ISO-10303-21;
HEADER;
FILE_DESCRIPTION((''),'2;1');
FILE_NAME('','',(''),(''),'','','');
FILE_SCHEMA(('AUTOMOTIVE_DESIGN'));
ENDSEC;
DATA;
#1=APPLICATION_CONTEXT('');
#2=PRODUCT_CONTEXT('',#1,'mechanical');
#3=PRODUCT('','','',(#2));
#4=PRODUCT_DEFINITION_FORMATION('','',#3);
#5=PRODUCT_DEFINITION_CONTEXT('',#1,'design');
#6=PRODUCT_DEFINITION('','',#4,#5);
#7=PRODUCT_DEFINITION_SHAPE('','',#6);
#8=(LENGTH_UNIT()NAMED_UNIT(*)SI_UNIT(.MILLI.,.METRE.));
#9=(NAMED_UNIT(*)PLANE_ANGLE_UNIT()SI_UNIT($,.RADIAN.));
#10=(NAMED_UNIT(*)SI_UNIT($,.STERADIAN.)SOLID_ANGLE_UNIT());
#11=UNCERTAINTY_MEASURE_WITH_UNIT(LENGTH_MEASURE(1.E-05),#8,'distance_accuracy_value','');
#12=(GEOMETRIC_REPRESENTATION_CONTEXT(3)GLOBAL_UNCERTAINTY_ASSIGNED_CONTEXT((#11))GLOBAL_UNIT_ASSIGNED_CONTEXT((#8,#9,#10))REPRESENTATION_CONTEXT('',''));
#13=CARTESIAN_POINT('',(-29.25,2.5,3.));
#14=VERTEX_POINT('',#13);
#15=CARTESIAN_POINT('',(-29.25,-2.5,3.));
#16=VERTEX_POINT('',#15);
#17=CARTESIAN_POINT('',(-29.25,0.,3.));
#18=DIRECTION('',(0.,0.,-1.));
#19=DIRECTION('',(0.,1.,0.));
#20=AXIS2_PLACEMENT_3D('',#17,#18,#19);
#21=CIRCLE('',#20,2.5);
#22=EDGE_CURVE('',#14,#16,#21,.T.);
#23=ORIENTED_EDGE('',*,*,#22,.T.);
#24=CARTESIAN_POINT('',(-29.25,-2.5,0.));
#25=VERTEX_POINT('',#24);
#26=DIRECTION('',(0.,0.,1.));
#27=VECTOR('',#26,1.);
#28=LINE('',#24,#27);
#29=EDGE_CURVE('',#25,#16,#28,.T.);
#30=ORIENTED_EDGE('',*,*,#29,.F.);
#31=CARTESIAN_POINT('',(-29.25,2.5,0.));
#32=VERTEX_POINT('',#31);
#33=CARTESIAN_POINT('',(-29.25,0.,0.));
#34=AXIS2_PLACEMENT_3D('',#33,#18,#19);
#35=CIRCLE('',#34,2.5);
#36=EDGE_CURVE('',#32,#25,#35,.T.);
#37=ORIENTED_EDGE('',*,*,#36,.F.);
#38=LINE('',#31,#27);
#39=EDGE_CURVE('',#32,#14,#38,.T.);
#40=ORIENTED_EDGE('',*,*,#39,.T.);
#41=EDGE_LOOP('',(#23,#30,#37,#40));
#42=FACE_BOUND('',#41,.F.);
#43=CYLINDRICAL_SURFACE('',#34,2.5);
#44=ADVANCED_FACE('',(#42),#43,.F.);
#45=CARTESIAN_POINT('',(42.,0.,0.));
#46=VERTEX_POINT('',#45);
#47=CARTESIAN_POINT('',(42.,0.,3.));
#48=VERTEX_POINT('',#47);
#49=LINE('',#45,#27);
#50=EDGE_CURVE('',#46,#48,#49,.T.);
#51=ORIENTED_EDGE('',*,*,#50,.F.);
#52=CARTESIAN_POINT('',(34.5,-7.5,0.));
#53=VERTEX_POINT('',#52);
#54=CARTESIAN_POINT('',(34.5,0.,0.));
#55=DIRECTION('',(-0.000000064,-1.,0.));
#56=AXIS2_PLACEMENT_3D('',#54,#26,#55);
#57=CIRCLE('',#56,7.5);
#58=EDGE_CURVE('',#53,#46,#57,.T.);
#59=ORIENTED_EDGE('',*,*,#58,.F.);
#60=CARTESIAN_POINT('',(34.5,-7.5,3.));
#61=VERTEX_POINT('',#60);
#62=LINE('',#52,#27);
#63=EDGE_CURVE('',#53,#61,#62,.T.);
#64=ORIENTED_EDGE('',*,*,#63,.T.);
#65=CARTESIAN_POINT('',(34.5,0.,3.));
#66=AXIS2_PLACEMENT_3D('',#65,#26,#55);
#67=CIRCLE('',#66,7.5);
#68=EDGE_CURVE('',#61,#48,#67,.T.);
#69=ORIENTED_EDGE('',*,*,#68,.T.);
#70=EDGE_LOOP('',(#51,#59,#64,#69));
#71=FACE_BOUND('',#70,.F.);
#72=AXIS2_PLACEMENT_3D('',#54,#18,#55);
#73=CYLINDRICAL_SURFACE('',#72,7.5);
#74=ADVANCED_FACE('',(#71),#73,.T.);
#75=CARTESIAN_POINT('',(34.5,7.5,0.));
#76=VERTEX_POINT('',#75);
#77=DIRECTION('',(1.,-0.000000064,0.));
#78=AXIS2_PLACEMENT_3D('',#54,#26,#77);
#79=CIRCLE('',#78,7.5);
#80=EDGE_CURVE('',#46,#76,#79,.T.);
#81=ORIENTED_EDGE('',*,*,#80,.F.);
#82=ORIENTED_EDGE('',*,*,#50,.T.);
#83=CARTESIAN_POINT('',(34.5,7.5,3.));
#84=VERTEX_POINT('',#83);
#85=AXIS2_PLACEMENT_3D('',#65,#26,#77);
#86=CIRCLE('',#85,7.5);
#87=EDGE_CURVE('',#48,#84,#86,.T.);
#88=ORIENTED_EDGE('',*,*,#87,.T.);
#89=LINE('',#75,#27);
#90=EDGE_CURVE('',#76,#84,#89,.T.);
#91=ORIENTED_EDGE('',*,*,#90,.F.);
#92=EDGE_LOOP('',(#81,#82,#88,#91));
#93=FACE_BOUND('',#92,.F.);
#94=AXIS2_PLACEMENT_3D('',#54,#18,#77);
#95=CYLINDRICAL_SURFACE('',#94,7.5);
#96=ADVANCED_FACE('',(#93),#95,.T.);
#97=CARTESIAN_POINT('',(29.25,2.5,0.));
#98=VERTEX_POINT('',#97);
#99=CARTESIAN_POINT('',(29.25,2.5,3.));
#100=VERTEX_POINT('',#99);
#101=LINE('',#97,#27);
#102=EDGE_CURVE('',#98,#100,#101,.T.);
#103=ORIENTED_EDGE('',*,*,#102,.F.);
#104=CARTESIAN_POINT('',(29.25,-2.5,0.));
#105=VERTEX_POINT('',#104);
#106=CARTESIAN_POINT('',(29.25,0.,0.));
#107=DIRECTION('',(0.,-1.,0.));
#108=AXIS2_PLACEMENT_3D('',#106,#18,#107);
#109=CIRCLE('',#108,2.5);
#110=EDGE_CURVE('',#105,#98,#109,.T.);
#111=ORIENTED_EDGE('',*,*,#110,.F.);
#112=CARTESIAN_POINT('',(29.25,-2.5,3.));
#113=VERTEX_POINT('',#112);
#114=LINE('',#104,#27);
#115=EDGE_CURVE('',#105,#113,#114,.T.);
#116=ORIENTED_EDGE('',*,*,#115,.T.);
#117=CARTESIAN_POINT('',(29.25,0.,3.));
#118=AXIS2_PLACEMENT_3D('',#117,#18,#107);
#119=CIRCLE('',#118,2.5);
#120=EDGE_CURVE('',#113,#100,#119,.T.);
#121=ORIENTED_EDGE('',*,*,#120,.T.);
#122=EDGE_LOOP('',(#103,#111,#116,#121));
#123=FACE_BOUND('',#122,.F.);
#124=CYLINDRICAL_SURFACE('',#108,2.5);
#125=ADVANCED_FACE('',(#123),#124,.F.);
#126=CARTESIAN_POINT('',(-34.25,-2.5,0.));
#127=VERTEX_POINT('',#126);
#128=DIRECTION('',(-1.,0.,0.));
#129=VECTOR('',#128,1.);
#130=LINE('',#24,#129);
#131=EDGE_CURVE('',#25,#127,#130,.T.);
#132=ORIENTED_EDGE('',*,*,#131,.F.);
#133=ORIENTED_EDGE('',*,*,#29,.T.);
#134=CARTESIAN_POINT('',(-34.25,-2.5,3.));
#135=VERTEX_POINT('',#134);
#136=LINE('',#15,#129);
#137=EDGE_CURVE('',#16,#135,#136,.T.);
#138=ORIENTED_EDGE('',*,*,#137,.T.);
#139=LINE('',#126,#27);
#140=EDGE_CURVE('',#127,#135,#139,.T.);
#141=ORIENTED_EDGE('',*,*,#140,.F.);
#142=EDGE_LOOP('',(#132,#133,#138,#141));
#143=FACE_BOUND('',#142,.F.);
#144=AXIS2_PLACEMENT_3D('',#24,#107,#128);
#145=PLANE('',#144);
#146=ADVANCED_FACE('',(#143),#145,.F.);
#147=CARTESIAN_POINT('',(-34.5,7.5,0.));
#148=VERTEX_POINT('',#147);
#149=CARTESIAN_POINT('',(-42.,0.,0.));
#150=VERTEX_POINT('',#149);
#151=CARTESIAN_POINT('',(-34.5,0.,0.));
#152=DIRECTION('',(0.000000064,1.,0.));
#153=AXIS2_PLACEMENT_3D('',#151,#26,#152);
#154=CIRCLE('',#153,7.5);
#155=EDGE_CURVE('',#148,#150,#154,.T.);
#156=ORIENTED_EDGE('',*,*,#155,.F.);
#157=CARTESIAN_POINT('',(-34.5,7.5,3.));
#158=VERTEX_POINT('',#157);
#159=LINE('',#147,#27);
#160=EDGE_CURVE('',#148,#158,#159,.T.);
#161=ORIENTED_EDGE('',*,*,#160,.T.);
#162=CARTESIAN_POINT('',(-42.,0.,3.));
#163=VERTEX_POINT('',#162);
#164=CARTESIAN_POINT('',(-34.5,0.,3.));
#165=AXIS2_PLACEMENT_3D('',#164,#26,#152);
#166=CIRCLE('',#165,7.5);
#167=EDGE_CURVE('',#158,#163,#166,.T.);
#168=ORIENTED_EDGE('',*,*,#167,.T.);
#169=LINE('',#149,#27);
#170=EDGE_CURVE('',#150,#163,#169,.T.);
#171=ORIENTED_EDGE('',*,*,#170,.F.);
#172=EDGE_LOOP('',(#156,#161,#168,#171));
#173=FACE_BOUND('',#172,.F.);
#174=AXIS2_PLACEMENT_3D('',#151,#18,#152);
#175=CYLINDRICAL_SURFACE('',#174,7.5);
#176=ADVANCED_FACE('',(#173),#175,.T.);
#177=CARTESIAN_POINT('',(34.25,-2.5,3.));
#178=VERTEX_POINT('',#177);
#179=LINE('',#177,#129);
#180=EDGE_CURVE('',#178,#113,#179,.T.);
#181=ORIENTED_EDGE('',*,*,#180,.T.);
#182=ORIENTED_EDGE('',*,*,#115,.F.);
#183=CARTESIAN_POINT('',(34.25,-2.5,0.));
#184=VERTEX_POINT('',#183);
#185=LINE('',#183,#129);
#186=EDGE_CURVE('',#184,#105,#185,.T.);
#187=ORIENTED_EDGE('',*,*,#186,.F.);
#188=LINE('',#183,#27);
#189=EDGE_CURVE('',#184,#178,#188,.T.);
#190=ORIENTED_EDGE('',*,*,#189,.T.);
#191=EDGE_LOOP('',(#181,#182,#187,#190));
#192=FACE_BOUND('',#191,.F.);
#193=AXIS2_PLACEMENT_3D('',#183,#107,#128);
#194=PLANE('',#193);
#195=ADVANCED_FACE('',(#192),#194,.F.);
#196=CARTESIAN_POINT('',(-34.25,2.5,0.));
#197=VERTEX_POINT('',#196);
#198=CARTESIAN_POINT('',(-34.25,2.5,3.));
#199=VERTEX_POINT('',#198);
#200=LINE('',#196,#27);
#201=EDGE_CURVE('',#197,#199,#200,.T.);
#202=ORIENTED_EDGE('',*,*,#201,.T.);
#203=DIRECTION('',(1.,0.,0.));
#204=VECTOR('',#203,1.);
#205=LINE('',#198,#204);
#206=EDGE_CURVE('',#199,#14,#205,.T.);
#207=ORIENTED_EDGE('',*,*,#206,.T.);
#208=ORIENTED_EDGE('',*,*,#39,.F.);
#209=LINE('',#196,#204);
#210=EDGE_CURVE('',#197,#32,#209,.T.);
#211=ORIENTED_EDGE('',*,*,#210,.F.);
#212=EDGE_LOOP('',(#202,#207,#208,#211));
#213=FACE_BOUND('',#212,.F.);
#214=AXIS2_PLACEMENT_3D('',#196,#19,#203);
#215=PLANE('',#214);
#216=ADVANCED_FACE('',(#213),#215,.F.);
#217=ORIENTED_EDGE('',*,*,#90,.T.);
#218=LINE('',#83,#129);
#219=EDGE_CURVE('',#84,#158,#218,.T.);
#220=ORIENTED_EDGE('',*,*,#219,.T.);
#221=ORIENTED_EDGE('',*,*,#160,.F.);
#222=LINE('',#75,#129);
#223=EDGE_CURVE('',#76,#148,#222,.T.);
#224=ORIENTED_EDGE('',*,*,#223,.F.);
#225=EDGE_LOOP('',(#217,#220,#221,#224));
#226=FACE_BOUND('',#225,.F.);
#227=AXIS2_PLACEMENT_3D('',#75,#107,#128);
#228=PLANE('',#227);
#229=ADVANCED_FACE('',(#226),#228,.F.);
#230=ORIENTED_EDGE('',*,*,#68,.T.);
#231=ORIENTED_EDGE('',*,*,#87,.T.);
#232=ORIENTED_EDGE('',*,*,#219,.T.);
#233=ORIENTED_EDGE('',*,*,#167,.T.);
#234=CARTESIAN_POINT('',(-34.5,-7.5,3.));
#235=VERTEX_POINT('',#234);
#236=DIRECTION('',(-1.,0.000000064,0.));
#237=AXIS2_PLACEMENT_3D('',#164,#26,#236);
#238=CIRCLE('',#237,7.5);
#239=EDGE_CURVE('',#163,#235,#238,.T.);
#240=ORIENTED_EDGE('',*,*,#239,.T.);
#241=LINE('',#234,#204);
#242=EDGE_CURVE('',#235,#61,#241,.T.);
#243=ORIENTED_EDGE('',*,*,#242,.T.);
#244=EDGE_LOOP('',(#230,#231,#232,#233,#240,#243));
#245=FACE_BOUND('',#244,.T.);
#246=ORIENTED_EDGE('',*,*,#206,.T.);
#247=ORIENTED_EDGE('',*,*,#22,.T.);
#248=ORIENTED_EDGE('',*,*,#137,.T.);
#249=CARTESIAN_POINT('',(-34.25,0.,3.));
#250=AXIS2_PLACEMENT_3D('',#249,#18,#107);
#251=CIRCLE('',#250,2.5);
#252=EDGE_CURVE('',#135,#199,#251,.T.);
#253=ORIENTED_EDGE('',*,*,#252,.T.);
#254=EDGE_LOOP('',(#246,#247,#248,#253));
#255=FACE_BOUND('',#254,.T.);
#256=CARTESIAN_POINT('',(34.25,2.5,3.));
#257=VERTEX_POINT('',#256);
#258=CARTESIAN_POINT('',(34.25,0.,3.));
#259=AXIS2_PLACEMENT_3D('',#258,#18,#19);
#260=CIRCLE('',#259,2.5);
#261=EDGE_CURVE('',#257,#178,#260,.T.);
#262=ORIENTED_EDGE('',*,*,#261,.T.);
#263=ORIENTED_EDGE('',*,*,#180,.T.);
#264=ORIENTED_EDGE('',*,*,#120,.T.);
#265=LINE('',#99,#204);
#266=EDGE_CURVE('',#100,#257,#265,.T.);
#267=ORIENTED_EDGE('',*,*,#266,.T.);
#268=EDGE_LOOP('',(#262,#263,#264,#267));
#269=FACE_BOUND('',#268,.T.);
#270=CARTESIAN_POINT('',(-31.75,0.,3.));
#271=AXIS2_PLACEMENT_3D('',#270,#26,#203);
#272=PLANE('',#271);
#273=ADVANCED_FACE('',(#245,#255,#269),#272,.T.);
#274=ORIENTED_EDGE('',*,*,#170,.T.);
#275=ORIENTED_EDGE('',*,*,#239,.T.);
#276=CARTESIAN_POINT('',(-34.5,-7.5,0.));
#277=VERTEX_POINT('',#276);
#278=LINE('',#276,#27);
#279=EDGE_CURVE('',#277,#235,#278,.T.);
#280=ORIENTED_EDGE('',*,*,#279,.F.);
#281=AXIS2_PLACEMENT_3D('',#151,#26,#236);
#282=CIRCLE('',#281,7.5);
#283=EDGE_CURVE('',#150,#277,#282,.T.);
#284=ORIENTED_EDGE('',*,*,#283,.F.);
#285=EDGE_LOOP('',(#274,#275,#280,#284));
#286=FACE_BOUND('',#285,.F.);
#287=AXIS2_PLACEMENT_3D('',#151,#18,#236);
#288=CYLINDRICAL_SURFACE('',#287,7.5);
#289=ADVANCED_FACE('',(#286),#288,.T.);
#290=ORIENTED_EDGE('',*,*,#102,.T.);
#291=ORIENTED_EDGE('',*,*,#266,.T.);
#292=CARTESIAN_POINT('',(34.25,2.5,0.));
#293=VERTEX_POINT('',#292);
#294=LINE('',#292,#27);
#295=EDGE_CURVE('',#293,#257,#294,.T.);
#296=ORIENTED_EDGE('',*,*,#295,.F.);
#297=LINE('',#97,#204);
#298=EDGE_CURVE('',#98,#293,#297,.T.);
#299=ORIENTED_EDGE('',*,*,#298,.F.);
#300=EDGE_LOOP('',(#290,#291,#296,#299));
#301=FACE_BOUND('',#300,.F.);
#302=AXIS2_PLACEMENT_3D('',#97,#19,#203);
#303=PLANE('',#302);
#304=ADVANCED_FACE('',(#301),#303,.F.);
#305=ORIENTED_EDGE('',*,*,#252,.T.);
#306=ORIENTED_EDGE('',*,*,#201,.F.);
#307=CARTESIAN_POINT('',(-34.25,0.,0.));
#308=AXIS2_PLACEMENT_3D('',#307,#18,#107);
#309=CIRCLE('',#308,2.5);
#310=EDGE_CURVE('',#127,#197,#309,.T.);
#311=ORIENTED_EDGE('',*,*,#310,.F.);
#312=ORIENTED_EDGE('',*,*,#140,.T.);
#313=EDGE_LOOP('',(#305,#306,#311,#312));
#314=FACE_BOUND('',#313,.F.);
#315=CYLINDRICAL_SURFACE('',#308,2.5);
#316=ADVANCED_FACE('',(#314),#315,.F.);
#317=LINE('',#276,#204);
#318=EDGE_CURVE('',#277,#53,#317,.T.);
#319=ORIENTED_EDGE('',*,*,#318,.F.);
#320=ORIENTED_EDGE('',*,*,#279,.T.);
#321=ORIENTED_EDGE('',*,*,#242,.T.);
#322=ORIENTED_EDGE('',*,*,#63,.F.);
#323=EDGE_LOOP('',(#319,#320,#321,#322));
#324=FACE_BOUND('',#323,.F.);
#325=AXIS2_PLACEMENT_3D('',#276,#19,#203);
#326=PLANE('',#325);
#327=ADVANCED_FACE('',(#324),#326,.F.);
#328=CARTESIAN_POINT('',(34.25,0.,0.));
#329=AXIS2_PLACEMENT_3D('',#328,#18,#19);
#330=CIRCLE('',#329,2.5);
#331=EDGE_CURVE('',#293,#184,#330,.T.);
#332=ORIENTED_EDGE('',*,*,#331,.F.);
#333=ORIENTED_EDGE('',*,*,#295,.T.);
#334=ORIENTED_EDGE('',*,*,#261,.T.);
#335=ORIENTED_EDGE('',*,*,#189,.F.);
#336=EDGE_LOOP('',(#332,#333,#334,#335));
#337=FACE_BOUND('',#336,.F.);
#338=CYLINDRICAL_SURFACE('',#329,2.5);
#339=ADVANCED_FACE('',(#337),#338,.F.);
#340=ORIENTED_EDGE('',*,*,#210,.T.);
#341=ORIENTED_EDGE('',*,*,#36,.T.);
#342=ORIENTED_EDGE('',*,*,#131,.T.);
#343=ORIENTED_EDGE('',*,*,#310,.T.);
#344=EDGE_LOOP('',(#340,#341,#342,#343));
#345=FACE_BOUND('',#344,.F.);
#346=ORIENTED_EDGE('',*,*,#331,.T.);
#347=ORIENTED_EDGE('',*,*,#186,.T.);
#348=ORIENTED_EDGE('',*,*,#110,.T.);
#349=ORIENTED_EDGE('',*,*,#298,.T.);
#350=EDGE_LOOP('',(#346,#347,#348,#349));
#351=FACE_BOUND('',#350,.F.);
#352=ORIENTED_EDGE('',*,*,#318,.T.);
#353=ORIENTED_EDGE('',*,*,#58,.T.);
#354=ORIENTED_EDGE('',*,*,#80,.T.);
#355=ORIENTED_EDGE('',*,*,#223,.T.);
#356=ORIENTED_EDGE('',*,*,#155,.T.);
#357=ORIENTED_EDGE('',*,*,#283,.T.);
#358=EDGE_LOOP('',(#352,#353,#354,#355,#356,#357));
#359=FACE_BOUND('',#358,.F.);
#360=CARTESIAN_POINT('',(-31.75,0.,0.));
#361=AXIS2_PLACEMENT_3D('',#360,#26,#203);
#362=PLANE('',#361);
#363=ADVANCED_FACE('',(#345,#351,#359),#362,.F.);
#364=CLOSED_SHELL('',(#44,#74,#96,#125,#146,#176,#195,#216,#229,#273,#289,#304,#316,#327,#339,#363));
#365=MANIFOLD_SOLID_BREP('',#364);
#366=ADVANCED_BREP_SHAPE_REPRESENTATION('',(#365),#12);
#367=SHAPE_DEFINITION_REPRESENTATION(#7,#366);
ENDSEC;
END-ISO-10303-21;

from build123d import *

# Parameters (mm, degrees)
F1_DEPTH = 3


with BuildPart() as f1:
    # F0 (on Top) → F1 (new body)
    with BuildSketch(Plane.XY):
        with BuildLine():
            ThreePointArc((-34.25, 2.5), (-36.75, 0), (-34.25, -2.5))
            Line((-34.25, -2.5), (-29.25, -2.5))
            ThreePointArc((-29.25, -2.5), (-26.75, 0), (-29.25, 2.5))
            Line((-29.25, 2.5), (-34.25, 2.5))
        make_face()
        with BuildLine():
            Line((0, -7.5), (0, 7.5))
            Line((0, 7.5), (-34.5, 7.5))
            ThreePointArc((-34.5, 7.5), (-39.803301, 5.303301), (-42, 0))
            ThreePointArc((-42, 0), (-39.803301, -5.303301), (-34.5, -7.5))
            Line((-34.5, -7.5), (0, -7.5))
        make_face()
        with BuildLine():
            Line((-29.25, -2.5), (-34.25, -2.5))
            ThreePointArc((-34.25, -2.5), (-36.75, 0), (-34.25, 2.5))
            Line((-34.25, 2.5), (-29.25, 2.5))
            ThreePointArc((-29.25, 2.5), (-26.75, 0), (-29.25, -2.5))
        make_face(mode=Mode.SUBTRACT)
        with BuildLine():
            Line((34.5, 7.5), (0, 7.5))
            Line((0, 7.5), (0, -7.5))
            Line((0, -7.5), (34.5, -7.5))
            ThreePointArc((34.5, -7.5), (39.803301, -5.303301), (42, 0))
            ThreePointArc((42, 0), (39.803301, 5.303301), (34.5, 7.5))
        make_face()
        with BuildLine():
            ThreePointArc((29.25, -2.5), (26.75, 0), (29.25, 2.5))
            Line((29.25, 2.5), (34.25, 2.5))
            ThreePointArc((34.25, 2.5), (36.75, 0), (34.25, -2.5))
            Line((34.25, -2.5), (29.25, -2.5))
        make_face(mode=Mode.SUBTRACT)
    extrude(amount=F1_DEPTH)


solid = f1.part
